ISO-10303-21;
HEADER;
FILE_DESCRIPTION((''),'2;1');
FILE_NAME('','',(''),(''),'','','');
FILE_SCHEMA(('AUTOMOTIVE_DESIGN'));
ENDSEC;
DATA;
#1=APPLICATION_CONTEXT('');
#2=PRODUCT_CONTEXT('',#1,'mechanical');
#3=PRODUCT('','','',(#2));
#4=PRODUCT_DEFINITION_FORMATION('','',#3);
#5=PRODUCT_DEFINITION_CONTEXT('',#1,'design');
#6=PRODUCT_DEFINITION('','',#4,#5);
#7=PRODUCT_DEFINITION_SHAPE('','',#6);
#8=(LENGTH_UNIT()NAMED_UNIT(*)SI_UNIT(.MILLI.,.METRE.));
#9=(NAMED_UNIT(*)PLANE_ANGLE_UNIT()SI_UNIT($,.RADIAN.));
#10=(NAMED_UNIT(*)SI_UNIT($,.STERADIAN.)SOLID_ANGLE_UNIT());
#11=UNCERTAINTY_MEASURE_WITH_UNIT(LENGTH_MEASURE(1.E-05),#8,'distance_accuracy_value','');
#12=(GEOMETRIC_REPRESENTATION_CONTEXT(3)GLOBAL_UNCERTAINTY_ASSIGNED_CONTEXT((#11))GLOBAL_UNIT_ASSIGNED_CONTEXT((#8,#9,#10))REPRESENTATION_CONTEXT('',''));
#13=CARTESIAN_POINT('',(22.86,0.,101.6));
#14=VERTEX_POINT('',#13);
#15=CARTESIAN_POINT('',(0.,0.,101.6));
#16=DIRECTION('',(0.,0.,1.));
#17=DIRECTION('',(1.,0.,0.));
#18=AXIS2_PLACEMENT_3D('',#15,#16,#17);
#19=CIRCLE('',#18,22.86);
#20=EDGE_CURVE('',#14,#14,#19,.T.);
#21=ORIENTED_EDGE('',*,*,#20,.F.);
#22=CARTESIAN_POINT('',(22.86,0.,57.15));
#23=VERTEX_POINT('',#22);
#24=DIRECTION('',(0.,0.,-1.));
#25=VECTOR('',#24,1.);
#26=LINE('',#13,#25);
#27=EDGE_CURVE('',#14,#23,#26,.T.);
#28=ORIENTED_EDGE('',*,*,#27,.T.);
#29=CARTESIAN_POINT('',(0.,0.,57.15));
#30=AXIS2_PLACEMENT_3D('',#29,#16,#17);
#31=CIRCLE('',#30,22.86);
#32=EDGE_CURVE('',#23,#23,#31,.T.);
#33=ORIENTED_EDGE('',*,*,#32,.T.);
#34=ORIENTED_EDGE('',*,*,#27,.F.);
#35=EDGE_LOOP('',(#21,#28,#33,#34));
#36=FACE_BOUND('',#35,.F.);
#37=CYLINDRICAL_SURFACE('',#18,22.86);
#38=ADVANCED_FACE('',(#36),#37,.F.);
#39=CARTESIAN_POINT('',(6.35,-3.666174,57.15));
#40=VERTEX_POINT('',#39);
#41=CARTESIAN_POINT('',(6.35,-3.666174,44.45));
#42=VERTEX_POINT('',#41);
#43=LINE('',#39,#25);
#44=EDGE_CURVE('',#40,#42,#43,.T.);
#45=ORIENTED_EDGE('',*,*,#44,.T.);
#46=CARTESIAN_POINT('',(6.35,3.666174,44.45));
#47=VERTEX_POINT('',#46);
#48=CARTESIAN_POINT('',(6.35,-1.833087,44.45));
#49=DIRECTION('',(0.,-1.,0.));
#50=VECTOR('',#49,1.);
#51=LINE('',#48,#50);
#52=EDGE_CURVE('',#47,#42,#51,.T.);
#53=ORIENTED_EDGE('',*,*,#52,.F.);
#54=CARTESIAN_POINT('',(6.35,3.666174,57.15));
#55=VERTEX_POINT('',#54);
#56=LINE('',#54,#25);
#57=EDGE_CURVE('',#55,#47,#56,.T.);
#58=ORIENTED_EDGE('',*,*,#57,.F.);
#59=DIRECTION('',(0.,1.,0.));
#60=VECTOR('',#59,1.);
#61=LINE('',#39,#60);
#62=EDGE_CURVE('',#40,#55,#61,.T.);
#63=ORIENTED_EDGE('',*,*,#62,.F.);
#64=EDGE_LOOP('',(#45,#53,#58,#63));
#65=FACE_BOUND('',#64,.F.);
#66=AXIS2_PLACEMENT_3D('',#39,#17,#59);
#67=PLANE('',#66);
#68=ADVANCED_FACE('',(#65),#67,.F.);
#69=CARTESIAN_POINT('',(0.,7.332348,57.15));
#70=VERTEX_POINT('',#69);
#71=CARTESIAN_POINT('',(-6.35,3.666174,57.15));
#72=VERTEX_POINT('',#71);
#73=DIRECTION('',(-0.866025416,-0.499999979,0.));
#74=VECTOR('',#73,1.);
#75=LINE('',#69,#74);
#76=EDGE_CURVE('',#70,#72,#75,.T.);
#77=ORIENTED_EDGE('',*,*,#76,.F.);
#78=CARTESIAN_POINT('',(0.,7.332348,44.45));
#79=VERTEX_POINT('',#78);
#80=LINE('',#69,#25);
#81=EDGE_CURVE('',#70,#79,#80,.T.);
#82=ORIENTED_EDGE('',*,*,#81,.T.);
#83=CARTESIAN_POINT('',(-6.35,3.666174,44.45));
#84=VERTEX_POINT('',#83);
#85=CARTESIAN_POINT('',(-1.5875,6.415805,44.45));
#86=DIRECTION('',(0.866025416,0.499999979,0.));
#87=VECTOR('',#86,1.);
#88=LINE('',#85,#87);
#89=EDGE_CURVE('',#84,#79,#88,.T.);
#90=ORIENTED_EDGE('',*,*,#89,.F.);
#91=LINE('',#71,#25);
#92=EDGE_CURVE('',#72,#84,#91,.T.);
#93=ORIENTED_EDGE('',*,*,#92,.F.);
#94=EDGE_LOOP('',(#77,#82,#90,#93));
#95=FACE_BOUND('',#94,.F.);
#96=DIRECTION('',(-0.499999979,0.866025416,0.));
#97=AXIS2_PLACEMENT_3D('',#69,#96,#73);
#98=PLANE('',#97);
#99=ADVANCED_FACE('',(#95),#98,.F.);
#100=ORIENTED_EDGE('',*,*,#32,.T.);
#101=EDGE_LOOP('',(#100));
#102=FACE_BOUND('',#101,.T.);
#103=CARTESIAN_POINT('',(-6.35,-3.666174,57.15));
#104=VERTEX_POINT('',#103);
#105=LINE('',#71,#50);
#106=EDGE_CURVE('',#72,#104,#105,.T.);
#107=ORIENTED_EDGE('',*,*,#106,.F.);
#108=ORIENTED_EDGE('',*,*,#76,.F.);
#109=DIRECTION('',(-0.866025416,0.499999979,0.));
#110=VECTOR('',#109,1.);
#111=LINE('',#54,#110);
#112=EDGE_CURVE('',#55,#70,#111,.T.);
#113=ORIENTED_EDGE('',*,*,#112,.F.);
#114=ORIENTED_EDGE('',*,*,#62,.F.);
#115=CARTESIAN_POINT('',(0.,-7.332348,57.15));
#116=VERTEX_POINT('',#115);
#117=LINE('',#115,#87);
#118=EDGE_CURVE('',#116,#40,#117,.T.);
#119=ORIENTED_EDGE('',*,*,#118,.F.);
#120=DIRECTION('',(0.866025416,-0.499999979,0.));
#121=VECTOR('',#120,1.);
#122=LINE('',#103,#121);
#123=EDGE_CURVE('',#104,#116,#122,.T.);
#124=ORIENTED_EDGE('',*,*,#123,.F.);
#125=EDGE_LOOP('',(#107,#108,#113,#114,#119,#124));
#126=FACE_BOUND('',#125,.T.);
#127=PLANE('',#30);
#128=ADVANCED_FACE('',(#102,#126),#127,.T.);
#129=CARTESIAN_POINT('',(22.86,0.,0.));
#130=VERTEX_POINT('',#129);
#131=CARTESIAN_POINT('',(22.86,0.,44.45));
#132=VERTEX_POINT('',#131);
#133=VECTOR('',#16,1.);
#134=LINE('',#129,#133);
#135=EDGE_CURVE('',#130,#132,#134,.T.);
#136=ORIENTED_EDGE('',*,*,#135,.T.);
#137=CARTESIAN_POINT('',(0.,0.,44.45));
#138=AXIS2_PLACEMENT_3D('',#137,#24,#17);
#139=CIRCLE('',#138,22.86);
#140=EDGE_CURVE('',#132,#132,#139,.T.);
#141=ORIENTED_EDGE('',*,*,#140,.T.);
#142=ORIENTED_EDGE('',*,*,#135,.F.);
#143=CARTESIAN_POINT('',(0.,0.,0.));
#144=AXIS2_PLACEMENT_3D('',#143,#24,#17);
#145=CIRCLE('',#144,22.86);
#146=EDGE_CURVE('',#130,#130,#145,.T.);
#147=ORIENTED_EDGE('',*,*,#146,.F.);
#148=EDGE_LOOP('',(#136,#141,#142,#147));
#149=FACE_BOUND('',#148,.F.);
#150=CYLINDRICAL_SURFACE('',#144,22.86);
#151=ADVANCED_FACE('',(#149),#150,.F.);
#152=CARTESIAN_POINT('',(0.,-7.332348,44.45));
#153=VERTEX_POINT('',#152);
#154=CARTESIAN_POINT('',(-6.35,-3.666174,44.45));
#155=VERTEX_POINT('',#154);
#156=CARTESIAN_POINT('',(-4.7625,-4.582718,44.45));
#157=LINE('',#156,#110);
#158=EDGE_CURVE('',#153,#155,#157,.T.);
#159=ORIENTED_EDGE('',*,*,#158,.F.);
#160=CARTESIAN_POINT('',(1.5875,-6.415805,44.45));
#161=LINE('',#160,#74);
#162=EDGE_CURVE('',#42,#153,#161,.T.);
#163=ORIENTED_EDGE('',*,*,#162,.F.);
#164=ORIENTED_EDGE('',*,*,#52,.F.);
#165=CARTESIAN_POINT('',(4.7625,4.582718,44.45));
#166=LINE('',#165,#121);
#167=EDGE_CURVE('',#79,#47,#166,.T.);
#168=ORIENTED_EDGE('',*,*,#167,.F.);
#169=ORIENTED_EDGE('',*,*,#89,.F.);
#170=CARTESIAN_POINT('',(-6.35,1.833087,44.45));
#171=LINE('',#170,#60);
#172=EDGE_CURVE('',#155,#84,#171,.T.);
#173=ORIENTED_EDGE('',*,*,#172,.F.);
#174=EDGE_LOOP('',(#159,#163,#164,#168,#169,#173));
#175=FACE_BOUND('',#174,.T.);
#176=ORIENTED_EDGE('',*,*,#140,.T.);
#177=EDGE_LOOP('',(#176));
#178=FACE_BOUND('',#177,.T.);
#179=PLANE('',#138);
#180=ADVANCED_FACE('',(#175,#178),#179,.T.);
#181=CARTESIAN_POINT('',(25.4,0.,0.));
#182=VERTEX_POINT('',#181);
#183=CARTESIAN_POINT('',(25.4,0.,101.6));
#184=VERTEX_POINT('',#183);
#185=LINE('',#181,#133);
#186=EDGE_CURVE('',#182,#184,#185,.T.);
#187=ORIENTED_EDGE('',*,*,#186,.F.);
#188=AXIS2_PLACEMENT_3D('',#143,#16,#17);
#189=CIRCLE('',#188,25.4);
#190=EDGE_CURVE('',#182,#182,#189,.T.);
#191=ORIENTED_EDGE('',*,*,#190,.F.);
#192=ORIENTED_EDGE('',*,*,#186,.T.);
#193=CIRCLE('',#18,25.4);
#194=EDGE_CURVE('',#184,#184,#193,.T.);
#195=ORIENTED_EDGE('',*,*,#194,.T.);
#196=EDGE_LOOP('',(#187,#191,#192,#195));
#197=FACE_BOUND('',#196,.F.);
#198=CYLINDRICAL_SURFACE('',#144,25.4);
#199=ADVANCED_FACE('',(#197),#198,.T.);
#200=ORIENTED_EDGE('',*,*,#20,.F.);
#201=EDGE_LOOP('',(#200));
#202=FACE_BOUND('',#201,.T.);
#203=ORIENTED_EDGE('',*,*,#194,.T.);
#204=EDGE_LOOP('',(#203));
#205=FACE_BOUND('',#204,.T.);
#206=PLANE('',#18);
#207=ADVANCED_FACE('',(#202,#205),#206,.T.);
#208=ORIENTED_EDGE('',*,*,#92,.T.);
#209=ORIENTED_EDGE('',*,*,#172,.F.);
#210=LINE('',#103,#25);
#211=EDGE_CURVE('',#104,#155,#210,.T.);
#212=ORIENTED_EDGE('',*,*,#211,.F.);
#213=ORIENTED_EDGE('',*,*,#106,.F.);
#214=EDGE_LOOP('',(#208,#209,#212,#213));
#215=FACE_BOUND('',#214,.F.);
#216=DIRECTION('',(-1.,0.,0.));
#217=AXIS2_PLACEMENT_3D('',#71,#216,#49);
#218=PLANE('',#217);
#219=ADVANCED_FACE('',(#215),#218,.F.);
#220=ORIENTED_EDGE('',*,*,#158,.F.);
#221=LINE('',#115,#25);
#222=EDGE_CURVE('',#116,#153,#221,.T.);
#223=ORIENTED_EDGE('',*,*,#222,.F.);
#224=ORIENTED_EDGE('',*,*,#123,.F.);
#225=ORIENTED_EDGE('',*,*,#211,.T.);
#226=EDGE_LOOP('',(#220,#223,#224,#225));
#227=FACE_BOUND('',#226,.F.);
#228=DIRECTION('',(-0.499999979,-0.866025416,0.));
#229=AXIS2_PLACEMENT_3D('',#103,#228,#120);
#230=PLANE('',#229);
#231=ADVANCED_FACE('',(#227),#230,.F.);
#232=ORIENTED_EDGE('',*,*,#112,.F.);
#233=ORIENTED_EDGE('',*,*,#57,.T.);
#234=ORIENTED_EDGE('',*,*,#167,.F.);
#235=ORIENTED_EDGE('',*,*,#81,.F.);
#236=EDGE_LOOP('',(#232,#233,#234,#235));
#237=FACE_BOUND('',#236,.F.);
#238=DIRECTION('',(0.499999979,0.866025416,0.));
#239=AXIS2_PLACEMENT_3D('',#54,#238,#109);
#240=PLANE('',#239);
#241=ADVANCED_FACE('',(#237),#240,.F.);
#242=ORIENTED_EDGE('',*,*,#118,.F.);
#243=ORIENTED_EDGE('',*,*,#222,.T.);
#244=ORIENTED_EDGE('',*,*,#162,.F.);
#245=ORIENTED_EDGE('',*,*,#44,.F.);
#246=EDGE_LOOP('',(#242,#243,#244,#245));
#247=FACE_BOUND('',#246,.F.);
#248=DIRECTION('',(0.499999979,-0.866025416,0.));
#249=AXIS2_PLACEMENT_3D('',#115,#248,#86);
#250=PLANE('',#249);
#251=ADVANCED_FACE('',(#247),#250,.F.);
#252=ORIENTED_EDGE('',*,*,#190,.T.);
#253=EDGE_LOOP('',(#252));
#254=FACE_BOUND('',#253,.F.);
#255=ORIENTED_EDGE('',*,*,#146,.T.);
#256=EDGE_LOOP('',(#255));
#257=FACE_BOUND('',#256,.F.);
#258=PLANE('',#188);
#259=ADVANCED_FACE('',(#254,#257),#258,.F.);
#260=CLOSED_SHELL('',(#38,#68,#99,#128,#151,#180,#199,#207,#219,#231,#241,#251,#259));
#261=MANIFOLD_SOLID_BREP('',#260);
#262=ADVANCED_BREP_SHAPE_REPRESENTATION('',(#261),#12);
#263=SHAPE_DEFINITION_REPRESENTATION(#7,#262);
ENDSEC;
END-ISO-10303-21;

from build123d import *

# Parameters (mm, degrees)
F0_R     = 25.4
F1_DEPTH = 101.6
F2_R     = 22.86
F3_DEPTH = 44.45
F4_R     = 22.86
F5_DEPTH = 44.45
F7_DEPTH = 57.151


with BuildPart() as f1:
    # F0 (on Top) → F1 (new body)
    with BuildSketch(Plane.XY):
        Circle(F0_R)
    extrude(amount=F1_DEPTH)

    # F2 (on face) → F3 (cut)
    with BuildSketch(Plane(origin=(0, 0, 0), x_dir=(1, 0, 0), z_dir=(0, 0, -1))):
        Circle(F2_R)
    extrude(amount=-F3_DEPTH, mode=Mode.SUBTRACT)

    # F4 (on face) → F5 (cut)
    with BuildSketch(Plane.XY.offset(101.6)):
        Circle(F4_R)
    extrude(amount=-F5_DEPTH, mode=Mode.SUBTRACT)

    # F6 (on face) → F7 (cut, through all)
    with BuildSketch(Plane.XY.offset(57.15)):
        Polygon((6.35, 3.666174), (0, 7.332348), (-6.35, 3.666174), (-6.35, -3.666174), (0, -7.332348), (6.35, -3.666174), align=None)
    extrude(amount=-F7_DEPTH, mode=Mode.SUBTRACT)


solid = f1.part
